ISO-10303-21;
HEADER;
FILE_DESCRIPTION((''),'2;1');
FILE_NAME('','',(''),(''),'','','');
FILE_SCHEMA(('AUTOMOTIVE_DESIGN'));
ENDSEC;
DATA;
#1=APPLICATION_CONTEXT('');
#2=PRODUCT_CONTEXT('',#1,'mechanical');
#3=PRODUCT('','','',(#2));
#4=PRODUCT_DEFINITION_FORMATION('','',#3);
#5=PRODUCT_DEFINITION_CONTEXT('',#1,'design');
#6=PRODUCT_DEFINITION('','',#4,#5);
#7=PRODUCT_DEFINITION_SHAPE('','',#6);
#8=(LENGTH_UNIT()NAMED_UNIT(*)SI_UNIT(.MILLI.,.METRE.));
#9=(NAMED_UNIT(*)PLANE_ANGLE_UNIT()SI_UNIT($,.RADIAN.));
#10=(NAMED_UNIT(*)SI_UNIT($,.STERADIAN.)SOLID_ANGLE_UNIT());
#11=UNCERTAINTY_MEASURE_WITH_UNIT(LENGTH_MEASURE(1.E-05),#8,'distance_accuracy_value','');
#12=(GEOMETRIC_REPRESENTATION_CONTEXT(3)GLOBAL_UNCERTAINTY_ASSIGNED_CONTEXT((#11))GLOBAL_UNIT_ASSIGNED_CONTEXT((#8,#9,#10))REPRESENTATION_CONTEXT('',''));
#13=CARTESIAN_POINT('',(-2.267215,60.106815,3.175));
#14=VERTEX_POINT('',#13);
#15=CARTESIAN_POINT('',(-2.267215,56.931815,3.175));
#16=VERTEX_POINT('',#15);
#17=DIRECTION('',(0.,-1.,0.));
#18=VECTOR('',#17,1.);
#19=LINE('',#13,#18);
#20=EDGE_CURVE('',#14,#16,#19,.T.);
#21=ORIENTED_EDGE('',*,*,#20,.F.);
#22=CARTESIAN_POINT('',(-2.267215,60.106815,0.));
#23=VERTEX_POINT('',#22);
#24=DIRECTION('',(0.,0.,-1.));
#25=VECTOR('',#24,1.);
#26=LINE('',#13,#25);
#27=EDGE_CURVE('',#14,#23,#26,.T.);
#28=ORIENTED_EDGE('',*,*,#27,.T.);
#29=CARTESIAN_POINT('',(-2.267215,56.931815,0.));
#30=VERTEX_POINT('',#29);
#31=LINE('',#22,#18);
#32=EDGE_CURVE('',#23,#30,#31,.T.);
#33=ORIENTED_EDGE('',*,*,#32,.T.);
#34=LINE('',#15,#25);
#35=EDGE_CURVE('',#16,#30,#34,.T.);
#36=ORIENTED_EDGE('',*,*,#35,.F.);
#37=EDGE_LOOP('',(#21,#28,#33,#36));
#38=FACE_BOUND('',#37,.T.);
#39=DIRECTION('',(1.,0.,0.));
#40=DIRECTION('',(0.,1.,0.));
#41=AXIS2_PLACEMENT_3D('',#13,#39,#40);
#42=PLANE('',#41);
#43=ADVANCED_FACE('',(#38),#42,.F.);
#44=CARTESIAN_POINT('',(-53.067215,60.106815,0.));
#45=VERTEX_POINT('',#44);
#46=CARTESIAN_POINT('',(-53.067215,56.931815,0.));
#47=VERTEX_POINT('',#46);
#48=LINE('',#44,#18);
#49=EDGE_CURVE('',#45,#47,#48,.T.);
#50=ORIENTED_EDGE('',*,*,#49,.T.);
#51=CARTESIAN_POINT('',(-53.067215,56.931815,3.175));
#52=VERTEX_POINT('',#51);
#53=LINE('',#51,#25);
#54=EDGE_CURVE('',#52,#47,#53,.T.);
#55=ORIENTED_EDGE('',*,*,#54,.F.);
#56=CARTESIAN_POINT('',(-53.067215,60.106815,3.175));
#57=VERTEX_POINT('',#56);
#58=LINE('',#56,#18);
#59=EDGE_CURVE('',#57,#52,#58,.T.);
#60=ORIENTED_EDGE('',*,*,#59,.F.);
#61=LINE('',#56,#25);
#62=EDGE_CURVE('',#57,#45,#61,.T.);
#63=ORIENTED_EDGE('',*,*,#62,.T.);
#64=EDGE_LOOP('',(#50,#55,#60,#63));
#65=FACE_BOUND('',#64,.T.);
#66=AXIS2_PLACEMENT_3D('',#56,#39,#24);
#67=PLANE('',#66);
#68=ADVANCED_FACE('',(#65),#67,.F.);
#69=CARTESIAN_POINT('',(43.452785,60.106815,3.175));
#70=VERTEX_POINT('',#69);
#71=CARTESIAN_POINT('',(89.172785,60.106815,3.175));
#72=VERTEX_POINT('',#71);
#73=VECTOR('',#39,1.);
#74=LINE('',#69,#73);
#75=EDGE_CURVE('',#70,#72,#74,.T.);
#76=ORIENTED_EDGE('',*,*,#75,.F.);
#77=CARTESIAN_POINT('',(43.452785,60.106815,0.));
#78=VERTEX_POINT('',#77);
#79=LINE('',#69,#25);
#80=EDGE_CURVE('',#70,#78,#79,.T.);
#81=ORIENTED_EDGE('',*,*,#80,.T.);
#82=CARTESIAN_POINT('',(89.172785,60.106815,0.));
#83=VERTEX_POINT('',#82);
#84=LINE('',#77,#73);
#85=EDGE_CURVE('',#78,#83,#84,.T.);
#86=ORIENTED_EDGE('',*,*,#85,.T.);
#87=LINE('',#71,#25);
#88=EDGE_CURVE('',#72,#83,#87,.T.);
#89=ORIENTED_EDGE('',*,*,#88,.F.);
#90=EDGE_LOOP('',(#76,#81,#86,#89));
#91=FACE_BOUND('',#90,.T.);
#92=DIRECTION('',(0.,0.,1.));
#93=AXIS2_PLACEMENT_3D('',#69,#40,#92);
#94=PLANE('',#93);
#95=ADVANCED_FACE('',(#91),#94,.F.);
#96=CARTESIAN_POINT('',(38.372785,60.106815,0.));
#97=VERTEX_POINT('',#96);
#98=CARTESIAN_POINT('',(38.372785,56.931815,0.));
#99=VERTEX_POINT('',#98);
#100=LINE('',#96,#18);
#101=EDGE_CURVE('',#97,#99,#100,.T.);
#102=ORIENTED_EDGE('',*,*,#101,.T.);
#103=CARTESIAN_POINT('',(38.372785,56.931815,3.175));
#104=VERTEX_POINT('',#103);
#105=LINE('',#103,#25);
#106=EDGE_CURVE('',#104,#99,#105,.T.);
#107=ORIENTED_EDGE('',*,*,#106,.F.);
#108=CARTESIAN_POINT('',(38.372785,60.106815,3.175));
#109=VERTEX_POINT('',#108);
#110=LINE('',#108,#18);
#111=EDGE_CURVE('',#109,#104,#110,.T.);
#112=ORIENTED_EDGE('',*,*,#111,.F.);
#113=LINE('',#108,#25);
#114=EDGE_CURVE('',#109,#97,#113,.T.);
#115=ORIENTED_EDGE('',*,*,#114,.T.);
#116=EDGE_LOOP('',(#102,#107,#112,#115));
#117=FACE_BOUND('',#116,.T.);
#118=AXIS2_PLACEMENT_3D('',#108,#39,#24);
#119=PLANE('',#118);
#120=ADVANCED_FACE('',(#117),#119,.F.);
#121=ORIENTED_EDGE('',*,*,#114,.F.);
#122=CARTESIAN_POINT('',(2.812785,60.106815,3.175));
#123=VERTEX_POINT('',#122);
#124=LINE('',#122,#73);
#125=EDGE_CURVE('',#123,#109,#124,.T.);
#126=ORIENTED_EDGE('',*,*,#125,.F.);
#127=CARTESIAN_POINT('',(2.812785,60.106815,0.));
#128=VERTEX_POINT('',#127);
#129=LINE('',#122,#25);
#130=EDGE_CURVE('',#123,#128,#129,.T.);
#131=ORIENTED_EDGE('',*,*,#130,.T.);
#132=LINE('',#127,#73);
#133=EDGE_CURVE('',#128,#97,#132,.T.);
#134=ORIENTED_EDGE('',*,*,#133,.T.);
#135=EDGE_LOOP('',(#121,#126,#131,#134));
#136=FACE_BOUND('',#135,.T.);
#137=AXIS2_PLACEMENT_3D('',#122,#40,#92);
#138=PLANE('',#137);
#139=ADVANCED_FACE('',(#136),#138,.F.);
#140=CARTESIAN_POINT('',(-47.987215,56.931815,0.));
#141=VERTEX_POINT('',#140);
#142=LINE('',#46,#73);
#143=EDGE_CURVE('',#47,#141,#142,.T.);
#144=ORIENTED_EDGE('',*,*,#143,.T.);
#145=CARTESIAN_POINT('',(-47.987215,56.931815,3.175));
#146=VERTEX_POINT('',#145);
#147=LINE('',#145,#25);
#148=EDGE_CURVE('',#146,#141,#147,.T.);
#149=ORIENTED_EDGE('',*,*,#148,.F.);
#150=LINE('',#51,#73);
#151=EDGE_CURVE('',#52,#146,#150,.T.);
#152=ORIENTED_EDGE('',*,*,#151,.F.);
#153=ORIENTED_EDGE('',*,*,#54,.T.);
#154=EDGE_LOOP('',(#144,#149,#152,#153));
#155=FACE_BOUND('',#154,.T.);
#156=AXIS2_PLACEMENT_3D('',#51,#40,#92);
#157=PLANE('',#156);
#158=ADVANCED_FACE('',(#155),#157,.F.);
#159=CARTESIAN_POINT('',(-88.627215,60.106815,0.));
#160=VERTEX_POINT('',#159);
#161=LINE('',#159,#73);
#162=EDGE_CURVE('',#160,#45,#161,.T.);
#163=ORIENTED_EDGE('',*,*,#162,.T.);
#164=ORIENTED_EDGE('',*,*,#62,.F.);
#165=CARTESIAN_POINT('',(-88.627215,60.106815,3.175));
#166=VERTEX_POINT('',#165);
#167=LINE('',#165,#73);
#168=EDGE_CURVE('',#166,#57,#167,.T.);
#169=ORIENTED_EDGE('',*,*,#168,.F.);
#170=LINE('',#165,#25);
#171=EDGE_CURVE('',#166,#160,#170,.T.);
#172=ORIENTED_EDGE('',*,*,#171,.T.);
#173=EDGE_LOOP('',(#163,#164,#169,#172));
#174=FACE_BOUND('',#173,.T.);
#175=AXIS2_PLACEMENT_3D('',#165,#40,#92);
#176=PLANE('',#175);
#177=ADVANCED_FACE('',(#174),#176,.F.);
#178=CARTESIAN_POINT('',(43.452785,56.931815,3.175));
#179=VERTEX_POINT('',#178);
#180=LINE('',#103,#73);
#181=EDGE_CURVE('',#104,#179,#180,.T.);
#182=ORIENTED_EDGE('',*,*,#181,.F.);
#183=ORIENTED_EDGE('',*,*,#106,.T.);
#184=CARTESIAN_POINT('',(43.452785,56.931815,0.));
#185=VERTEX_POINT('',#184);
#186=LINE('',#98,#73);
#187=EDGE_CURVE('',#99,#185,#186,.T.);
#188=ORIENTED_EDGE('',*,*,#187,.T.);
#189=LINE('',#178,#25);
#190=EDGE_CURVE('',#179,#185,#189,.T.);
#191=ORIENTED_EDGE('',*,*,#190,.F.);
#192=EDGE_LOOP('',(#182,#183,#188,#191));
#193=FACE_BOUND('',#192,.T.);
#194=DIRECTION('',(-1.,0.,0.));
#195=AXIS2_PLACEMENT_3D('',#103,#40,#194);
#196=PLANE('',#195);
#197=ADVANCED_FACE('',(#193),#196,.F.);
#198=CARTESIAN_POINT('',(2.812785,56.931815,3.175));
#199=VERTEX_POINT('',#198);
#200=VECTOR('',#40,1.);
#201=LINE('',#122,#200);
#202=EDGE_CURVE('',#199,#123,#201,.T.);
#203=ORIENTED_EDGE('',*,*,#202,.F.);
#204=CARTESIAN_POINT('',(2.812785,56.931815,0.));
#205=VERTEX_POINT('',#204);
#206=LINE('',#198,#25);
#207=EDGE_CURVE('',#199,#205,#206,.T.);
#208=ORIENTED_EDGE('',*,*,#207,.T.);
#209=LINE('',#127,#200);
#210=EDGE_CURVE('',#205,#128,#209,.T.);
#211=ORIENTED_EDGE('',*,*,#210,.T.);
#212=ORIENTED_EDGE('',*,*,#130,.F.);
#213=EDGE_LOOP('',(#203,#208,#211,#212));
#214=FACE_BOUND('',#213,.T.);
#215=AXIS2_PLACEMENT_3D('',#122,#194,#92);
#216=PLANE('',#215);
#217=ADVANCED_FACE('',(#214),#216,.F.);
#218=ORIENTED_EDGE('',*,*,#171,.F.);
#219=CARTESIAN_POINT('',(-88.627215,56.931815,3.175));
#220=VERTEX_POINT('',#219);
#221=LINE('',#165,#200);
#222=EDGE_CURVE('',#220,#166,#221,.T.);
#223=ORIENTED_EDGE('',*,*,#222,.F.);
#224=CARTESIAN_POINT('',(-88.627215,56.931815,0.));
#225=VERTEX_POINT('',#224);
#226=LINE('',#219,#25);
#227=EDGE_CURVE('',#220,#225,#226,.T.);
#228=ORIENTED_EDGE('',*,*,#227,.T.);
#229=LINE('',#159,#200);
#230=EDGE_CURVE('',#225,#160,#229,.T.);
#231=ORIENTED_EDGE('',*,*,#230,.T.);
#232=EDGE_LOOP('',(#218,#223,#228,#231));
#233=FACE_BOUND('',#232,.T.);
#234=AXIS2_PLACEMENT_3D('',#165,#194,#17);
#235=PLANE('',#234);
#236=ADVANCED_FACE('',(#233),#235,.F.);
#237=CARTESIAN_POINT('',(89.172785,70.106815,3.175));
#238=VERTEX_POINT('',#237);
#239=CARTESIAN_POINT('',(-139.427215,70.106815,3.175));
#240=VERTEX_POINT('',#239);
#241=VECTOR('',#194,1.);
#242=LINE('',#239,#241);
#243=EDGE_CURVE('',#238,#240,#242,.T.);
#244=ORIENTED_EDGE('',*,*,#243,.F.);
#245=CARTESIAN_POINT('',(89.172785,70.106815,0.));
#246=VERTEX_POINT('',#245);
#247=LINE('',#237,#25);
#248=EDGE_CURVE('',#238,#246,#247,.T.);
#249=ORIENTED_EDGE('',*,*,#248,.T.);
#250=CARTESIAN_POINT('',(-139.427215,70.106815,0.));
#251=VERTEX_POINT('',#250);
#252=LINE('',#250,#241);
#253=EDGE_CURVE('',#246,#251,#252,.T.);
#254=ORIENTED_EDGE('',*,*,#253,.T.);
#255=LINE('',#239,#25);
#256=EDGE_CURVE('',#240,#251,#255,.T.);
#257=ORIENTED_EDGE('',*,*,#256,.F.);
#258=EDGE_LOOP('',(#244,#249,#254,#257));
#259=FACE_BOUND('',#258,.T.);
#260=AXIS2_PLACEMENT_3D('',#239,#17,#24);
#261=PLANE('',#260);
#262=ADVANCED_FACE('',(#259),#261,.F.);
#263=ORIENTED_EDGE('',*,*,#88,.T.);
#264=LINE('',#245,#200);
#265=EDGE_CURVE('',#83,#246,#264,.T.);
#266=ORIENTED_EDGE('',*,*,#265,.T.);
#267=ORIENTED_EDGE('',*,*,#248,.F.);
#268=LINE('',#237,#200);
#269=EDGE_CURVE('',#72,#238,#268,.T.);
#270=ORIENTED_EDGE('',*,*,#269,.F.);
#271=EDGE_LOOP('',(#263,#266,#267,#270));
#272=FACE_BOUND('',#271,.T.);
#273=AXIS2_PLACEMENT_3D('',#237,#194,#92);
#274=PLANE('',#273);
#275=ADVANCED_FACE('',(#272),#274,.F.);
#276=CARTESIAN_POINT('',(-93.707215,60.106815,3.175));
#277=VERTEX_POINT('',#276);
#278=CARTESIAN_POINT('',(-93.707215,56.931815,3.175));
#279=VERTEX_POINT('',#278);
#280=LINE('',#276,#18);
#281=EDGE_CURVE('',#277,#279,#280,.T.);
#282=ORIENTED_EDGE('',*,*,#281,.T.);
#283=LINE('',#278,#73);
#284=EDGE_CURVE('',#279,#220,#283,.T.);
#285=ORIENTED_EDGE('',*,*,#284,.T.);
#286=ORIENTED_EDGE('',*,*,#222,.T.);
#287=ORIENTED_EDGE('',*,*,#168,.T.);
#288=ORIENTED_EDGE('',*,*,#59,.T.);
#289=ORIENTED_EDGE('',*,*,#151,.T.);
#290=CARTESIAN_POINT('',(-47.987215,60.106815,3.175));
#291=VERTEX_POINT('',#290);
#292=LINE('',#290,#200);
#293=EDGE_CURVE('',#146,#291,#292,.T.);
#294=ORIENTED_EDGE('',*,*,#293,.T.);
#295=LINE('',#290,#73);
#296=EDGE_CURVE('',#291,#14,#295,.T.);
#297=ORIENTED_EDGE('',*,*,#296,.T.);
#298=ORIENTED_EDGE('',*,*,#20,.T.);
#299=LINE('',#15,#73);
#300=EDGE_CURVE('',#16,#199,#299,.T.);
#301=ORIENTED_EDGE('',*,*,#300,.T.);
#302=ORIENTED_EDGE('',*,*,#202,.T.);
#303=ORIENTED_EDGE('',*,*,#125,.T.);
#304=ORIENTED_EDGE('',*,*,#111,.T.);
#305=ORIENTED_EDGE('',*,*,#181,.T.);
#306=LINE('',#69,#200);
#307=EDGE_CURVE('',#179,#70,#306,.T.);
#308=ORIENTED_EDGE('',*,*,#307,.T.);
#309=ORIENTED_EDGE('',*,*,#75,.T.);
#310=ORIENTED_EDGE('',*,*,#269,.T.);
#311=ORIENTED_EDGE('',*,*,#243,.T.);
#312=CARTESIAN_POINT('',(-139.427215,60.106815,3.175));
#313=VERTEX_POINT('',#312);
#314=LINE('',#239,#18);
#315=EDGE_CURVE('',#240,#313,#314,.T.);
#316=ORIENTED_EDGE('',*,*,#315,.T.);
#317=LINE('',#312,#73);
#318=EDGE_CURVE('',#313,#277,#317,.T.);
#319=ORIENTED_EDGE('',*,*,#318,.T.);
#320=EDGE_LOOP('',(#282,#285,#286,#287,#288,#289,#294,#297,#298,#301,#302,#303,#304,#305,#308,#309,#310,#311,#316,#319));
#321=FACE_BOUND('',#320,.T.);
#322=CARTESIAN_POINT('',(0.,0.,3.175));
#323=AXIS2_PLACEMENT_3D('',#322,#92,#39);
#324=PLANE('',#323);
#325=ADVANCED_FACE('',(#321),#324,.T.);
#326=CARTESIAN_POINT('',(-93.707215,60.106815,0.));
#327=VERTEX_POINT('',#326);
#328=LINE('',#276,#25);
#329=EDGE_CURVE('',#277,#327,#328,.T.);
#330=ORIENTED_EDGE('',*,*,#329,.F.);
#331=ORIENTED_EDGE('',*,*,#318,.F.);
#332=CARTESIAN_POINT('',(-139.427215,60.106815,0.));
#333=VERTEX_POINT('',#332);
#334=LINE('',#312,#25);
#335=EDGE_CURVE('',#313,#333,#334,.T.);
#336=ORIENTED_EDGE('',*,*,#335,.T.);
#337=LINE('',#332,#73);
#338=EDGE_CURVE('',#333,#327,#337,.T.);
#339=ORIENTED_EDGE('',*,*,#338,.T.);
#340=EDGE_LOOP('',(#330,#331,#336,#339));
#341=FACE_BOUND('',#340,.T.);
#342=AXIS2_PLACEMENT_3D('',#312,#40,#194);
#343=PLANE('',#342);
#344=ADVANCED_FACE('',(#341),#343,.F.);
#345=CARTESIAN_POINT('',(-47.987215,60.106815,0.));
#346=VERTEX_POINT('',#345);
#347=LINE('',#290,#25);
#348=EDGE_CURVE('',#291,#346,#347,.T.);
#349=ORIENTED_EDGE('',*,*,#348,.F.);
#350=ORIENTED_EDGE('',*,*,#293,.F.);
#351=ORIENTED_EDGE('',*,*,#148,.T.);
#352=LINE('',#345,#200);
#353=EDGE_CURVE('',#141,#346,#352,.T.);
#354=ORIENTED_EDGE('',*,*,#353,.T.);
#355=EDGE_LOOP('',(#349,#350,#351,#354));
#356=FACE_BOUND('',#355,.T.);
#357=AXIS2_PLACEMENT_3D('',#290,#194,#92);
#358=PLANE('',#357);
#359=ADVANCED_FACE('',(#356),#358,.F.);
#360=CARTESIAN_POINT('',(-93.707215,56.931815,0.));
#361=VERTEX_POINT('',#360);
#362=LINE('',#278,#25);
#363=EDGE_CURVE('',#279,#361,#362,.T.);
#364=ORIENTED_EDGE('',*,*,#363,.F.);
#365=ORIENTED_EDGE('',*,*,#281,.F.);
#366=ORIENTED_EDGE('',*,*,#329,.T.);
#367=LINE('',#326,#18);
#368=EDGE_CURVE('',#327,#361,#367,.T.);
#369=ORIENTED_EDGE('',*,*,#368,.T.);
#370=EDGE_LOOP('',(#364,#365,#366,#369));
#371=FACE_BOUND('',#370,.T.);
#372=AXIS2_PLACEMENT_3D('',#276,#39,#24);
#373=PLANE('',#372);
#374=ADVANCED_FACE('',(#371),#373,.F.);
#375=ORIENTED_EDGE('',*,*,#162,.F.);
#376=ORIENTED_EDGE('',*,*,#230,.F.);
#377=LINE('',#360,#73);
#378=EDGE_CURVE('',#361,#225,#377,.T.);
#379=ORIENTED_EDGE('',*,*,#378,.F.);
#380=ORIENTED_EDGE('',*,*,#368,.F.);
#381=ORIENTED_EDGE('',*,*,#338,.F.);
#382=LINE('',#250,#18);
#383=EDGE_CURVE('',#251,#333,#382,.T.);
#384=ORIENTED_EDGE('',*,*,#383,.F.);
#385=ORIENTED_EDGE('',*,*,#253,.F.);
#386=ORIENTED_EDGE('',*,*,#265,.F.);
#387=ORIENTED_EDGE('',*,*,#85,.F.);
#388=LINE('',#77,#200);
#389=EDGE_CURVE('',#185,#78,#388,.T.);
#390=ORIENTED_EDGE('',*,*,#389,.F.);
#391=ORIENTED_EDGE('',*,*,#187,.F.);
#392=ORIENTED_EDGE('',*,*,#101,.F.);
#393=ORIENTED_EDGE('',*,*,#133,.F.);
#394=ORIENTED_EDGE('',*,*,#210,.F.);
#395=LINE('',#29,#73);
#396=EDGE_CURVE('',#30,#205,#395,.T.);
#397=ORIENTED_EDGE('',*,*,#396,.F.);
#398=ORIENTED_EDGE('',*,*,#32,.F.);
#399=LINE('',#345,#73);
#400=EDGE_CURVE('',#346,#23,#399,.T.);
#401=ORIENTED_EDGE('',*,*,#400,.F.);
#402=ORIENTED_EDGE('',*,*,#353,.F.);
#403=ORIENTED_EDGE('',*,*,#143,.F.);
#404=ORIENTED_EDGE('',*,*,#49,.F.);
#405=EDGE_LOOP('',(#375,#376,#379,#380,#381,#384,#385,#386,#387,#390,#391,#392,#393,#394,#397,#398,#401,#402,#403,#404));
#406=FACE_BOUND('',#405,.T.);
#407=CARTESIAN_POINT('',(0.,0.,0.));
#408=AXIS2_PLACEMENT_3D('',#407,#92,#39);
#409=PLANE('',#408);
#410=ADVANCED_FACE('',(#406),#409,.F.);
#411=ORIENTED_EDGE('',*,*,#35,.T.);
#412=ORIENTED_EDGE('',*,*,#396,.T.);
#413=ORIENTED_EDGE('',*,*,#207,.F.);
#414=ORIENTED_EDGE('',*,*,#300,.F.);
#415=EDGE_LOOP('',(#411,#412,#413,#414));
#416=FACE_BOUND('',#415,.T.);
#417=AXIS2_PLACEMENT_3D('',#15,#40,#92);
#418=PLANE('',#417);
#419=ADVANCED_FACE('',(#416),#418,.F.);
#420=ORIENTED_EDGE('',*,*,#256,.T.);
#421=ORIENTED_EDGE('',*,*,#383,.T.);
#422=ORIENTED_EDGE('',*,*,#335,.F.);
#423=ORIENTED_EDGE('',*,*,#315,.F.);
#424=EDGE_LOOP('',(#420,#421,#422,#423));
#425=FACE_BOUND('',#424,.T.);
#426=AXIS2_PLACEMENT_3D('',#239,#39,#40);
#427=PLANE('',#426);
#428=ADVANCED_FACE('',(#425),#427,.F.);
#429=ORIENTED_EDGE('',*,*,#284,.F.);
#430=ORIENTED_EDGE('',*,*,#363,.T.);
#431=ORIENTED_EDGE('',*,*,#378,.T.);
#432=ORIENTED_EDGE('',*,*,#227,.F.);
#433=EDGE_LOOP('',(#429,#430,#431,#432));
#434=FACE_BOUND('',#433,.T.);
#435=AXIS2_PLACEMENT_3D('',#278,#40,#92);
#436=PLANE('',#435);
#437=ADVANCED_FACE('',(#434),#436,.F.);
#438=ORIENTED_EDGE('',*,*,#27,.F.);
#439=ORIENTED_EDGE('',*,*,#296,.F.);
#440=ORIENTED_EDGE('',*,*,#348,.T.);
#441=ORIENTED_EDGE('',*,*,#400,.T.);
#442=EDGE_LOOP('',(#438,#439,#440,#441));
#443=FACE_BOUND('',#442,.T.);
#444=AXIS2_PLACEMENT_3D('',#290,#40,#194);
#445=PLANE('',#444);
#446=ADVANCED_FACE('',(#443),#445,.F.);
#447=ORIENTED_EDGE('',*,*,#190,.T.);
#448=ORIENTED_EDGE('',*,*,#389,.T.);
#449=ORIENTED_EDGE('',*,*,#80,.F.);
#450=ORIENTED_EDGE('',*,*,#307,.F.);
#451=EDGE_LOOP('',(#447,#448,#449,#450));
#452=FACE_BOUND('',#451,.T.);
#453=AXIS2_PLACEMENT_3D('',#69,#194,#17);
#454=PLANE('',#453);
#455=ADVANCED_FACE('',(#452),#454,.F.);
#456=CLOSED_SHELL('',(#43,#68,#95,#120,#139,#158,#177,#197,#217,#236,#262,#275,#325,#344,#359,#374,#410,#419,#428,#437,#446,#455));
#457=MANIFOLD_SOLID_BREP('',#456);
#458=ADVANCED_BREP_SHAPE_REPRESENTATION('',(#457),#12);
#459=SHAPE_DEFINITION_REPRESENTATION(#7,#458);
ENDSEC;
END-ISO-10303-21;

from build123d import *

# Parameters (mm, degrees)
BOSS_EXTRUDE1_DEPTH = 3.175


with BuildPart() as part:
    # Sketch1 → Boss-Extrude1 (new body)
    with BuildSketch(Plane.XY):
        Polygon((-2.267215107, 60.106814658), (-2.267215107, 56.931814658), (2.812784893, 56.931814658), (2.812784893, 60.106814658), (38.372784893, 60.106814658), (38.372784893, 56.931814658), (43.452784893, 56.931814658), (43.452784893, 60.106814658), (89.172784893, 60.106814658), (89.172784893, 70.106814658), (-139.427215107, 70.106814658), (-139.427215107, 60.106814658), (-93.707215107, 60.106814658), (-93.707215107, 56.931814658), (-88.627215107, 56.931814658), (-88.627215107, 60.106814658), (-53.067215107, 60.106814658), (-53.067215107, 56.931814658), (-47.987215107, 56.931814658), (-47.987215107, 60.106814658), align=None)
    extrude(amount=BOSS_EXTRUDE1_DEPTH)


solid = part.part
